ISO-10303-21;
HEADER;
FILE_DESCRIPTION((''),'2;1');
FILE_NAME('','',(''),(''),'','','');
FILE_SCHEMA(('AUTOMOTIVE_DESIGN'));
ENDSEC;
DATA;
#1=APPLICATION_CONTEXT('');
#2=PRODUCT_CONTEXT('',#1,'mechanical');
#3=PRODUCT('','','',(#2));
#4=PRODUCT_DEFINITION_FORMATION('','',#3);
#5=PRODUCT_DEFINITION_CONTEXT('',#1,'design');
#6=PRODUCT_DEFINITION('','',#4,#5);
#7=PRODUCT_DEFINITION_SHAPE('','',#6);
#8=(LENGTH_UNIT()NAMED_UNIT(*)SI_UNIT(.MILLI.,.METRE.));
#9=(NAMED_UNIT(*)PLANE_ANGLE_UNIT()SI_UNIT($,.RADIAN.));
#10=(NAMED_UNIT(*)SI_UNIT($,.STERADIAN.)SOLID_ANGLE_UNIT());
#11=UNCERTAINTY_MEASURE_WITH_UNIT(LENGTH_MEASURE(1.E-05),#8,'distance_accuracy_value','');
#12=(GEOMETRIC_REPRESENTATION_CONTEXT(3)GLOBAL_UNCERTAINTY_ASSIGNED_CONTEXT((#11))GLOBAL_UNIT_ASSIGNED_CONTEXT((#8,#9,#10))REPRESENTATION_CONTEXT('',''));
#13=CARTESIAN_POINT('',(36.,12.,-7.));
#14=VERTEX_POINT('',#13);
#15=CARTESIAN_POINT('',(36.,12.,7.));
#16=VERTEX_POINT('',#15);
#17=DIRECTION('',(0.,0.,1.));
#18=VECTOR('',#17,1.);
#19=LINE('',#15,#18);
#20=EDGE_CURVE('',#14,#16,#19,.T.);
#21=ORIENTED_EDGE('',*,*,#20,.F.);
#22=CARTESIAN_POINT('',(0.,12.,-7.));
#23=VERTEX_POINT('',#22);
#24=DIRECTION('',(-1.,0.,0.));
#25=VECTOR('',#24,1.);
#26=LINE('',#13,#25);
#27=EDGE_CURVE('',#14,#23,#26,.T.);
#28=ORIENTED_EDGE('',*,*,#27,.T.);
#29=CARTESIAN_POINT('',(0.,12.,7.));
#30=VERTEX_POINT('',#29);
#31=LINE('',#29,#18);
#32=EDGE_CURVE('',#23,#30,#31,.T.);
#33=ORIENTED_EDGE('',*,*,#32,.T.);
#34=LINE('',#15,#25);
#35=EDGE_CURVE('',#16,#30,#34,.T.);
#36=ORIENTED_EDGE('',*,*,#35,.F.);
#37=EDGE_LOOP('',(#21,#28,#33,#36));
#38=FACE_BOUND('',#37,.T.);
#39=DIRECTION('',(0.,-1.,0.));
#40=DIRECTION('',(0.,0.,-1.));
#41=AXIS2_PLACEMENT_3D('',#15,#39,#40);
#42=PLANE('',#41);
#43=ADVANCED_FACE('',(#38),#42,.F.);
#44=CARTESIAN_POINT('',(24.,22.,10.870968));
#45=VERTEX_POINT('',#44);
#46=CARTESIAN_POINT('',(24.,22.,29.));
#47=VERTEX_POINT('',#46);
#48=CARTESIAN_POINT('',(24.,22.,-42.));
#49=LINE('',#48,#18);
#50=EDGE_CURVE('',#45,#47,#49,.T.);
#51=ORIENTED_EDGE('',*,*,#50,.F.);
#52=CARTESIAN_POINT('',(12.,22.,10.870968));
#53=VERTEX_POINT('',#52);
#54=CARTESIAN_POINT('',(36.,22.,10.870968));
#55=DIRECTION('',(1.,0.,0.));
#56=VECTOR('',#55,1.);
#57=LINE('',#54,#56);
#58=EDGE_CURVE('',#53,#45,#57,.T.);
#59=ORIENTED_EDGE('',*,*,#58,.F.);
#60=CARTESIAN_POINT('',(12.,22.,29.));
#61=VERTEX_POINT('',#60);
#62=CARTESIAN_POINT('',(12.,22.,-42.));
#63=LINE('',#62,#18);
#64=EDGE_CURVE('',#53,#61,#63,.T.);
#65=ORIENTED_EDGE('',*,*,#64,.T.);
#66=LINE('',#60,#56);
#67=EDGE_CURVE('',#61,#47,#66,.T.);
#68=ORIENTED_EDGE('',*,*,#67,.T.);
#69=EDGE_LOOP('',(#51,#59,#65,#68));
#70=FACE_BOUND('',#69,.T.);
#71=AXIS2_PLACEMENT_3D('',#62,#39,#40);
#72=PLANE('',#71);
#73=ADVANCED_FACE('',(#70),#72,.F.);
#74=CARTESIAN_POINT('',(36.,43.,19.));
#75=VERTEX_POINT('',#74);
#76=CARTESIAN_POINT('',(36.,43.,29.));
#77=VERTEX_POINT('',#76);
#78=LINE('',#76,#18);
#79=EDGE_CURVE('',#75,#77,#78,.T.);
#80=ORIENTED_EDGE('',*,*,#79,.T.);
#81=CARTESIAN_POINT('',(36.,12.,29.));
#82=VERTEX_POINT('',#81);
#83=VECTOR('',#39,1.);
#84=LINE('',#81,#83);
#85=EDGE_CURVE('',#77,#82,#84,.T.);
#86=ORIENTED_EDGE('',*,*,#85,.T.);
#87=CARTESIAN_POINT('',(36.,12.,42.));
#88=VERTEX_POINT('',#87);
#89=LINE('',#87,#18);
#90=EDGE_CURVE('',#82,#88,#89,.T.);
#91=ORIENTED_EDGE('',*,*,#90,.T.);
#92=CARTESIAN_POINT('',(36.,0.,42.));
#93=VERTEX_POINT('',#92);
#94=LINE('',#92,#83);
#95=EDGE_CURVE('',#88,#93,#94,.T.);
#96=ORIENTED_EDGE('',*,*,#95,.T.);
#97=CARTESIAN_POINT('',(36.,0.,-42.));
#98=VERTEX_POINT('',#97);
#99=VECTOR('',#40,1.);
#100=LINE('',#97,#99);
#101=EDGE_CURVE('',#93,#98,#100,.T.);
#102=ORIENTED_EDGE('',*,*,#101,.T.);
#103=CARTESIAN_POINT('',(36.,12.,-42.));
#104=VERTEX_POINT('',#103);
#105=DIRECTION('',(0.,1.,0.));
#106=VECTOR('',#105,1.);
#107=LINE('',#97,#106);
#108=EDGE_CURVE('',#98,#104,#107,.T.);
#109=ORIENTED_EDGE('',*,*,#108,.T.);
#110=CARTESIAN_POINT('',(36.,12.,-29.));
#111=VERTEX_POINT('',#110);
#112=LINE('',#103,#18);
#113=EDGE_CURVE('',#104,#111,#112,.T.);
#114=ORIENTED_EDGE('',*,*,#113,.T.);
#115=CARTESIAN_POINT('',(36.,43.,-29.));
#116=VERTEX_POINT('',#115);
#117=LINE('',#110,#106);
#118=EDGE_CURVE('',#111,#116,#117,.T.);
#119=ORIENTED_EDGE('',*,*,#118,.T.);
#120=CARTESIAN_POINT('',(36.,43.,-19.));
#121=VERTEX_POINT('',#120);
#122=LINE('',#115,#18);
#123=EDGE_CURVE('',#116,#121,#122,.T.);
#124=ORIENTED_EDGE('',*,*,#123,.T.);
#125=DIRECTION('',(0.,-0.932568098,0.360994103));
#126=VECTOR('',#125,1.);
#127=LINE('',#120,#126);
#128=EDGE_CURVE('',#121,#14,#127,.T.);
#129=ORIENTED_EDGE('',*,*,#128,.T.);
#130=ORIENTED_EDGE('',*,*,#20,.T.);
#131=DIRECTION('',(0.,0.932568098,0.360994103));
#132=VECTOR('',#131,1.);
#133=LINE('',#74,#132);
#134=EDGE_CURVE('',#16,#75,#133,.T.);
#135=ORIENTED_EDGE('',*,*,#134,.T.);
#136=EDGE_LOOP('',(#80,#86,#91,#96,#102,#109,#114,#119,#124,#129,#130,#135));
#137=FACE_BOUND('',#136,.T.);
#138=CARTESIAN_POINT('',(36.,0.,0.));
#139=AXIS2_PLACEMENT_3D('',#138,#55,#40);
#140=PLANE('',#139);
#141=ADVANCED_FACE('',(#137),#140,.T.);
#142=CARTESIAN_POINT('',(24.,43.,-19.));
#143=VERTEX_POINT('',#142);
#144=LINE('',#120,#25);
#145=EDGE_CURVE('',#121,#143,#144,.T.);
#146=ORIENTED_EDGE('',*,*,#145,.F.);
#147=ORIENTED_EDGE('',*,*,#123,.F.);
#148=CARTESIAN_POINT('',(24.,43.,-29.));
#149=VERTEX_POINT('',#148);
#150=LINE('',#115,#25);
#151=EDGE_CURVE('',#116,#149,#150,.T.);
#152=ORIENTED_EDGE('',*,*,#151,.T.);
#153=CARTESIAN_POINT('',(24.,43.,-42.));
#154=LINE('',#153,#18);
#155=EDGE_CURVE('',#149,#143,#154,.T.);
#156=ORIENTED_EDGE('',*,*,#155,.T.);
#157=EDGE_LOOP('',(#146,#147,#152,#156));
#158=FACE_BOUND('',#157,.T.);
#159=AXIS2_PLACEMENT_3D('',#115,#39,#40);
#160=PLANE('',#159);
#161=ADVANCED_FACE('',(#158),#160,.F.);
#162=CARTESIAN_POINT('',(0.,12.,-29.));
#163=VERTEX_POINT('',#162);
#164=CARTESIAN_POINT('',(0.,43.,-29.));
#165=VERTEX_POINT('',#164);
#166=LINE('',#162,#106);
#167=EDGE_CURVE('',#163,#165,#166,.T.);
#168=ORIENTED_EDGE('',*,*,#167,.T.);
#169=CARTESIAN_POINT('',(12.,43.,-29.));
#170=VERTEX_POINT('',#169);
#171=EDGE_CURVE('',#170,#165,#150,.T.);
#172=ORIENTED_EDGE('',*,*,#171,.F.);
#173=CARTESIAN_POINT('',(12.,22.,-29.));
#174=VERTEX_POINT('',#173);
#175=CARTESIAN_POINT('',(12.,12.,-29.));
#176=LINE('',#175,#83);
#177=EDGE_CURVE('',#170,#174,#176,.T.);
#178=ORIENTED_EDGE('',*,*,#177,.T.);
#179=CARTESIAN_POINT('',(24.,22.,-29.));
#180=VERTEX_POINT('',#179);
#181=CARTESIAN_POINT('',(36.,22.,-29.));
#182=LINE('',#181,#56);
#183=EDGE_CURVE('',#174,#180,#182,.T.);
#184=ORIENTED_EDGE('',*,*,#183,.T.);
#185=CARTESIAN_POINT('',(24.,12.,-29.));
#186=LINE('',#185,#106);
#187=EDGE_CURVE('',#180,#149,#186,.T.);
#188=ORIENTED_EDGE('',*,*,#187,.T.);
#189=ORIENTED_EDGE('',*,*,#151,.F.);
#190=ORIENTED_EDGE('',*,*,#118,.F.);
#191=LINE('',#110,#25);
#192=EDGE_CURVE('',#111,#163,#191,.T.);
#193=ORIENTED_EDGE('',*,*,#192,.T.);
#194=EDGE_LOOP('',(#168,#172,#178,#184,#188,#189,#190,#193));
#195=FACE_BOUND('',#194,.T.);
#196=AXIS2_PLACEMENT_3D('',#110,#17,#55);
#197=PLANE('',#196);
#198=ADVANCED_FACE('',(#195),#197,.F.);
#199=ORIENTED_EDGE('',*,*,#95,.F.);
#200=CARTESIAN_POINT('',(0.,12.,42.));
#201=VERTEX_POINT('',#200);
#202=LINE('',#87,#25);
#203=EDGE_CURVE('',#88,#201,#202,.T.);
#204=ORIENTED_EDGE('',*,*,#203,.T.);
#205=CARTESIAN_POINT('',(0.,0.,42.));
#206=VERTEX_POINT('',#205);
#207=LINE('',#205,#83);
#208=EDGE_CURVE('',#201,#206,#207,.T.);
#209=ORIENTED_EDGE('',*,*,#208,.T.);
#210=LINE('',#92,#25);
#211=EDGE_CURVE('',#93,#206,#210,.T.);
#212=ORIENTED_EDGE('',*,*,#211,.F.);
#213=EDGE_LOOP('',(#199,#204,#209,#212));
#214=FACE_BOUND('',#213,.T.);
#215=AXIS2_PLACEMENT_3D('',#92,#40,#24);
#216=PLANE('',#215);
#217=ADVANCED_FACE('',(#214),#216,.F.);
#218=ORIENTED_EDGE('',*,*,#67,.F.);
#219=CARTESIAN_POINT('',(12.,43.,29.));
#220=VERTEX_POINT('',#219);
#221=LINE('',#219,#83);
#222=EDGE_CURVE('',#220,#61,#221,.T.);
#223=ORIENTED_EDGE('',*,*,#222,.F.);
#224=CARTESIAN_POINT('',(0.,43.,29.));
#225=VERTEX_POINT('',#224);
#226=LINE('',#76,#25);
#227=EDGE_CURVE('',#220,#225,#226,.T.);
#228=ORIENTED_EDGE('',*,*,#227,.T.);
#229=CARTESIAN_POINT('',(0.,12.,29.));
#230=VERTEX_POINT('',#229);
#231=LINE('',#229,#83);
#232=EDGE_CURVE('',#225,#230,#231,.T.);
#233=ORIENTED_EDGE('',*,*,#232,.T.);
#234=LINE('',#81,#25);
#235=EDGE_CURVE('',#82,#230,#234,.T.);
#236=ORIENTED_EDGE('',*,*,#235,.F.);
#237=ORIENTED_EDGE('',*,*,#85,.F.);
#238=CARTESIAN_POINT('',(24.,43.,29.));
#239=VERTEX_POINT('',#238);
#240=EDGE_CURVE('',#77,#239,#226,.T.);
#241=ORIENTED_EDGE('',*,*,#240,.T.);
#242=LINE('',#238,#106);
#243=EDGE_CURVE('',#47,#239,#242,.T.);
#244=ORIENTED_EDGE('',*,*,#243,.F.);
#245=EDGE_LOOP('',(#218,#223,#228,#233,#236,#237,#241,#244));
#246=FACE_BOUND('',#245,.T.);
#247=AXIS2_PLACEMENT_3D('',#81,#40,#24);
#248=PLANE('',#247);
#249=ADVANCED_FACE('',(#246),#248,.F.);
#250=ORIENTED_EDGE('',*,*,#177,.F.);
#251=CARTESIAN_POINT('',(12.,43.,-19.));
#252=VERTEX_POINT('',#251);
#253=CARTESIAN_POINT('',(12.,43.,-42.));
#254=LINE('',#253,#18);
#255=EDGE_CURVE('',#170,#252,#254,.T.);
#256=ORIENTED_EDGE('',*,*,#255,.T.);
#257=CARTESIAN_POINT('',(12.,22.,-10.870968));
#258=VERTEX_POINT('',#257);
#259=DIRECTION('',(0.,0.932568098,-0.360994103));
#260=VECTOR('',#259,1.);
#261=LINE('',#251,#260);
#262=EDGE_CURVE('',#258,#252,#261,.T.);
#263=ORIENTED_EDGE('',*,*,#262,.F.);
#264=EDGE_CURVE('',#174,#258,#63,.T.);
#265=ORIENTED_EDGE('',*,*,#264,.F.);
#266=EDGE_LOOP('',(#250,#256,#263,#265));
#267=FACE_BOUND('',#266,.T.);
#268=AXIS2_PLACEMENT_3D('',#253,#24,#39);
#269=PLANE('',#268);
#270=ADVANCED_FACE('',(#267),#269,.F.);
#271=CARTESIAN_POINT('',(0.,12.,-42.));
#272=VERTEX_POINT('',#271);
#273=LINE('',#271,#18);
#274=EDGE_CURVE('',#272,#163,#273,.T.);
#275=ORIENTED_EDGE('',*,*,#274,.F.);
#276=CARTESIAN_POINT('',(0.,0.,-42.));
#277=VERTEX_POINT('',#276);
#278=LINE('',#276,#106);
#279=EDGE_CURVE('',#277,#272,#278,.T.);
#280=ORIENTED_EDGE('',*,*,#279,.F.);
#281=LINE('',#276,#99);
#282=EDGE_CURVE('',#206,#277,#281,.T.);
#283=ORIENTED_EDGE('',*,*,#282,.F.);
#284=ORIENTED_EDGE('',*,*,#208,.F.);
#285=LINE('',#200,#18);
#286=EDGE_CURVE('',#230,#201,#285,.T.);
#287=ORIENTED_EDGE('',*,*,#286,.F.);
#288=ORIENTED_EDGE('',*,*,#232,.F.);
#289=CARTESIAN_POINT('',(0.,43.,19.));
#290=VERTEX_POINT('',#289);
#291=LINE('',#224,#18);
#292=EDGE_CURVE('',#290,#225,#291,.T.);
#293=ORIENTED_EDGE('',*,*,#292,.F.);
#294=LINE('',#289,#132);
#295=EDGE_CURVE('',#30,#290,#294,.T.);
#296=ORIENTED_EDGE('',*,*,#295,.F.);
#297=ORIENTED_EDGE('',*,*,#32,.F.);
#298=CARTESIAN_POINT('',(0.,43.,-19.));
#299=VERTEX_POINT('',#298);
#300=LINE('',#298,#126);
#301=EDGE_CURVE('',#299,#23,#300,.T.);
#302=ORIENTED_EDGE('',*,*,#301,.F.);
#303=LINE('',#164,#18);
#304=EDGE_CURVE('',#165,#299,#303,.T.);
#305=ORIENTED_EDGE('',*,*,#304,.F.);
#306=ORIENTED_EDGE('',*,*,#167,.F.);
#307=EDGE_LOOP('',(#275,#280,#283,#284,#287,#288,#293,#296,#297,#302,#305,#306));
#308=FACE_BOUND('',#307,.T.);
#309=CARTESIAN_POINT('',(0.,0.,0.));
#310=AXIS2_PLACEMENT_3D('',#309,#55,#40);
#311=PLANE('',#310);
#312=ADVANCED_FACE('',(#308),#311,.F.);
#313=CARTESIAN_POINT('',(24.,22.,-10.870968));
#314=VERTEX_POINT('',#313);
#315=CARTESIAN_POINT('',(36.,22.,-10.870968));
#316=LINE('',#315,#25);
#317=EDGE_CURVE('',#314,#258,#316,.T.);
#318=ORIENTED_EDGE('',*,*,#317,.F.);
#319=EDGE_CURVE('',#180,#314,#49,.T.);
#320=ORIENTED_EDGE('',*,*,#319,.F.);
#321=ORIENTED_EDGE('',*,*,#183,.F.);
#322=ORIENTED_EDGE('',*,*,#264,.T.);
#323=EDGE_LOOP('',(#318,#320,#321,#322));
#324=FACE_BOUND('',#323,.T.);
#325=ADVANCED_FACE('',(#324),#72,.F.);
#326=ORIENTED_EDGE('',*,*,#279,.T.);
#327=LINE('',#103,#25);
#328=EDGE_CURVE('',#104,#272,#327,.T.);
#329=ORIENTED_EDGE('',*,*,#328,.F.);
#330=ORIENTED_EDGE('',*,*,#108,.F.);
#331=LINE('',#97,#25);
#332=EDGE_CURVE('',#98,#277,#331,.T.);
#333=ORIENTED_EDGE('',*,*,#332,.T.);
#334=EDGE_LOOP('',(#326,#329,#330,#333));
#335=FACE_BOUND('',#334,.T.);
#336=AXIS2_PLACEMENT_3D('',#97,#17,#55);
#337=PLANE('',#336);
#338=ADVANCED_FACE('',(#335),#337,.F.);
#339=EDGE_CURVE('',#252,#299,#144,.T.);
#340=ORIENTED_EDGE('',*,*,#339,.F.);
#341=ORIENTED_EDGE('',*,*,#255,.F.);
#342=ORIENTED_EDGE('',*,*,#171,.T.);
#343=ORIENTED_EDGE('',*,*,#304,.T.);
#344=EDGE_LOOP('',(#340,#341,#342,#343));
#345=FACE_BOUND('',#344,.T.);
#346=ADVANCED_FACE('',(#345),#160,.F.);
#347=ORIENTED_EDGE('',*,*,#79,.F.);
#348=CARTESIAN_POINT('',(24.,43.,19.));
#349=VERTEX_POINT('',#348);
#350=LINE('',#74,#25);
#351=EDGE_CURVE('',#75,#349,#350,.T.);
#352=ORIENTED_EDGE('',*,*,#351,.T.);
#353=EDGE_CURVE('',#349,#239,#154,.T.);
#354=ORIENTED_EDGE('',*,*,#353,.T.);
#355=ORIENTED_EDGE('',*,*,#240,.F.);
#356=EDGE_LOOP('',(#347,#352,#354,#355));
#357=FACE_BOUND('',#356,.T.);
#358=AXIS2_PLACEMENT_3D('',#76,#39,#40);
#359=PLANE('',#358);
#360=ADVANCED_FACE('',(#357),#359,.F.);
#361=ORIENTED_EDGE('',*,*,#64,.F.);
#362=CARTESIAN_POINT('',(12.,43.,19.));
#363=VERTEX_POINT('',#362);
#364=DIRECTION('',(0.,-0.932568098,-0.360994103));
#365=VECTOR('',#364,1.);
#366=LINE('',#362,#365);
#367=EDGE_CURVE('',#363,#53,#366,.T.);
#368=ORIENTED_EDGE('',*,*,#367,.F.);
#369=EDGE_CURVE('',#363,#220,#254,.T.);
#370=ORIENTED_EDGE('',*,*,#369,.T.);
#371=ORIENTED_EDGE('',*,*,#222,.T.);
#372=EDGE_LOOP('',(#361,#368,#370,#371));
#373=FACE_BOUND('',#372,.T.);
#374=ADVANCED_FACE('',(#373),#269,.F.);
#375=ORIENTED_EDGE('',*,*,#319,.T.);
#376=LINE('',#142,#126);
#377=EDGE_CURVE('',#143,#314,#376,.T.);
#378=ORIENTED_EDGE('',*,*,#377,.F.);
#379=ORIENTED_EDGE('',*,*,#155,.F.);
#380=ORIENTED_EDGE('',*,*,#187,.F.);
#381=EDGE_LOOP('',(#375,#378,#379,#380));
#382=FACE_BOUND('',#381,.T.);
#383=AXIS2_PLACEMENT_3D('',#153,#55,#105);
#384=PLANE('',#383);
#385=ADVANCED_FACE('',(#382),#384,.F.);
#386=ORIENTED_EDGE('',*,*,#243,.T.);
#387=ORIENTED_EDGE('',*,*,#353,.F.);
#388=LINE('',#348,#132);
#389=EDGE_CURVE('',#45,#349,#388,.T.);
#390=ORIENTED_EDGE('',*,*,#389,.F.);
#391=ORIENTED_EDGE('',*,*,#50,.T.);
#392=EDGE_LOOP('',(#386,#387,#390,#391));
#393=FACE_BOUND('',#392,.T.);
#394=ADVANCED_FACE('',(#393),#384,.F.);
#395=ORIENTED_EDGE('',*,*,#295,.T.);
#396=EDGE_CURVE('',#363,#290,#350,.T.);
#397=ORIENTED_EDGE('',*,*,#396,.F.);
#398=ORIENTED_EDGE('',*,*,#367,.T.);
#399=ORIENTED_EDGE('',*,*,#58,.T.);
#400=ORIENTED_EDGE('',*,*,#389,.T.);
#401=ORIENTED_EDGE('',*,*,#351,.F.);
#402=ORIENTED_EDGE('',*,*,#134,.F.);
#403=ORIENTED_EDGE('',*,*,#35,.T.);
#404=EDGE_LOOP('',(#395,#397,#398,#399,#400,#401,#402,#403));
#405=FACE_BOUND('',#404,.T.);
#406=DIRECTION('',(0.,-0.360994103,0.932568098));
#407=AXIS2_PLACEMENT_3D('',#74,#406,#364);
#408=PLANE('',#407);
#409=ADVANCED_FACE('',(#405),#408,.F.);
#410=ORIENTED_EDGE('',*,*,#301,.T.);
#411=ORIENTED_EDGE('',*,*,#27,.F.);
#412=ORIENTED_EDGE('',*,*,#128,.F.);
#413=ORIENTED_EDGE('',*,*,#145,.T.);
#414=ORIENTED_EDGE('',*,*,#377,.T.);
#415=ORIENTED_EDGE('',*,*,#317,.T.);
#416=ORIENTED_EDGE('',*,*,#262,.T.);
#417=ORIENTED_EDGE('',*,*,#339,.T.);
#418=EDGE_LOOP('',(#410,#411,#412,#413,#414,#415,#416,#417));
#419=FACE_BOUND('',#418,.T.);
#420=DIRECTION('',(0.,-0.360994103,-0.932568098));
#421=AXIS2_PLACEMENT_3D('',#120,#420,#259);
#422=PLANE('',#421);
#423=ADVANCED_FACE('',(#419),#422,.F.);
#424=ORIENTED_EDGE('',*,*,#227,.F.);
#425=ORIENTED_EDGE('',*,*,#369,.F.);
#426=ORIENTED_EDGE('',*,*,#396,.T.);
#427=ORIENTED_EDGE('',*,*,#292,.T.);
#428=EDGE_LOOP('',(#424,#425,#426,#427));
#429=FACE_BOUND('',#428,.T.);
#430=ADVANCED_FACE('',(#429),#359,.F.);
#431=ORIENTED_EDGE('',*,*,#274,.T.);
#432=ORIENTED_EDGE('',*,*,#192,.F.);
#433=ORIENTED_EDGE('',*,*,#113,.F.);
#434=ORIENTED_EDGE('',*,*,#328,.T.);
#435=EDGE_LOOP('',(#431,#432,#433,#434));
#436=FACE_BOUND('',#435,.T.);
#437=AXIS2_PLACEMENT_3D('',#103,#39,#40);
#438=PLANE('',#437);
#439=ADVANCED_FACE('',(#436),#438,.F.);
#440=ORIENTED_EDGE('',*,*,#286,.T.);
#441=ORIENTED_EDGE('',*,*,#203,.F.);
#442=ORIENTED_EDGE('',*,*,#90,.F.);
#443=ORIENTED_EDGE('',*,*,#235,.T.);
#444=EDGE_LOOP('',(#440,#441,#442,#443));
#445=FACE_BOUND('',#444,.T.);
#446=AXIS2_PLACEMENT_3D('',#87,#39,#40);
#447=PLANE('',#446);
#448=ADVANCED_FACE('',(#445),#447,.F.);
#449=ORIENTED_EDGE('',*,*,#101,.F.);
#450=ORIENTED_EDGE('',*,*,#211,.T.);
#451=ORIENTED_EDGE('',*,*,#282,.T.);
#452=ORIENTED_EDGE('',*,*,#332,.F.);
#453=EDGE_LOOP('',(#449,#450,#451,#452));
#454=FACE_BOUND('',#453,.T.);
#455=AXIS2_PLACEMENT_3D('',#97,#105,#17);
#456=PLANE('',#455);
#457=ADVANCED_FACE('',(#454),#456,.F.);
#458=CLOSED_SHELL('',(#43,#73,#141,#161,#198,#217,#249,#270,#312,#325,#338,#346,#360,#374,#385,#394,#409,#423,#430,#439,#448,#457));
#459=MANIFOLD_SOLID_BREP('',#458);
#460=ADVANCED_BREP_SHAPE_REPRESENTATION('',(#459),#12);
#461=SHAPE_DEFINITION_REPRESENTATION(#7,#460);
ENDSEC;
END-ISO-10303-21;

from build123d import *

# Parameters (mm, degrees)
SALIENTE_EXTRUIR1_DEPTH = 36
CROQUIS2_W              = 12
CROQUIS2_H              = 21
CORTAR_EXTRUIR1_DEPTH   = 91.47651629


with BuildPart() as part:
    # Croquis1 → Saliente-Extruir1 (new body)
    with BuildSketch(Plane(origin=(0, 0, 0), x_dir=(0, 0, -1), z_dir=(1, 0, 0))):
        Polygon((42, 0), (-42, 0), (-42, 12), (-29, 12), (-29, 43), (-19, 43), (-7, 12), (7, 12), (19, 43), (29, 43), (29, 12), (42, 12), align=None)
    extrude(amount=SALIENTE_EXTRUIR1_DEPTH)

    # Croquis2 → Cortar-Extruir1 (cut, through all)
    with BuildSketch(Plane.XY.offset(29)):
        with Locations((18, 32.5)):
            Rectangle(CROQUIS2_W, CROQUIS2_H)
    extrude(amount=-CORTAR_EXTRUIR1_DEPTH, mode=Mode.SUBTRACT)


solid = part.part
